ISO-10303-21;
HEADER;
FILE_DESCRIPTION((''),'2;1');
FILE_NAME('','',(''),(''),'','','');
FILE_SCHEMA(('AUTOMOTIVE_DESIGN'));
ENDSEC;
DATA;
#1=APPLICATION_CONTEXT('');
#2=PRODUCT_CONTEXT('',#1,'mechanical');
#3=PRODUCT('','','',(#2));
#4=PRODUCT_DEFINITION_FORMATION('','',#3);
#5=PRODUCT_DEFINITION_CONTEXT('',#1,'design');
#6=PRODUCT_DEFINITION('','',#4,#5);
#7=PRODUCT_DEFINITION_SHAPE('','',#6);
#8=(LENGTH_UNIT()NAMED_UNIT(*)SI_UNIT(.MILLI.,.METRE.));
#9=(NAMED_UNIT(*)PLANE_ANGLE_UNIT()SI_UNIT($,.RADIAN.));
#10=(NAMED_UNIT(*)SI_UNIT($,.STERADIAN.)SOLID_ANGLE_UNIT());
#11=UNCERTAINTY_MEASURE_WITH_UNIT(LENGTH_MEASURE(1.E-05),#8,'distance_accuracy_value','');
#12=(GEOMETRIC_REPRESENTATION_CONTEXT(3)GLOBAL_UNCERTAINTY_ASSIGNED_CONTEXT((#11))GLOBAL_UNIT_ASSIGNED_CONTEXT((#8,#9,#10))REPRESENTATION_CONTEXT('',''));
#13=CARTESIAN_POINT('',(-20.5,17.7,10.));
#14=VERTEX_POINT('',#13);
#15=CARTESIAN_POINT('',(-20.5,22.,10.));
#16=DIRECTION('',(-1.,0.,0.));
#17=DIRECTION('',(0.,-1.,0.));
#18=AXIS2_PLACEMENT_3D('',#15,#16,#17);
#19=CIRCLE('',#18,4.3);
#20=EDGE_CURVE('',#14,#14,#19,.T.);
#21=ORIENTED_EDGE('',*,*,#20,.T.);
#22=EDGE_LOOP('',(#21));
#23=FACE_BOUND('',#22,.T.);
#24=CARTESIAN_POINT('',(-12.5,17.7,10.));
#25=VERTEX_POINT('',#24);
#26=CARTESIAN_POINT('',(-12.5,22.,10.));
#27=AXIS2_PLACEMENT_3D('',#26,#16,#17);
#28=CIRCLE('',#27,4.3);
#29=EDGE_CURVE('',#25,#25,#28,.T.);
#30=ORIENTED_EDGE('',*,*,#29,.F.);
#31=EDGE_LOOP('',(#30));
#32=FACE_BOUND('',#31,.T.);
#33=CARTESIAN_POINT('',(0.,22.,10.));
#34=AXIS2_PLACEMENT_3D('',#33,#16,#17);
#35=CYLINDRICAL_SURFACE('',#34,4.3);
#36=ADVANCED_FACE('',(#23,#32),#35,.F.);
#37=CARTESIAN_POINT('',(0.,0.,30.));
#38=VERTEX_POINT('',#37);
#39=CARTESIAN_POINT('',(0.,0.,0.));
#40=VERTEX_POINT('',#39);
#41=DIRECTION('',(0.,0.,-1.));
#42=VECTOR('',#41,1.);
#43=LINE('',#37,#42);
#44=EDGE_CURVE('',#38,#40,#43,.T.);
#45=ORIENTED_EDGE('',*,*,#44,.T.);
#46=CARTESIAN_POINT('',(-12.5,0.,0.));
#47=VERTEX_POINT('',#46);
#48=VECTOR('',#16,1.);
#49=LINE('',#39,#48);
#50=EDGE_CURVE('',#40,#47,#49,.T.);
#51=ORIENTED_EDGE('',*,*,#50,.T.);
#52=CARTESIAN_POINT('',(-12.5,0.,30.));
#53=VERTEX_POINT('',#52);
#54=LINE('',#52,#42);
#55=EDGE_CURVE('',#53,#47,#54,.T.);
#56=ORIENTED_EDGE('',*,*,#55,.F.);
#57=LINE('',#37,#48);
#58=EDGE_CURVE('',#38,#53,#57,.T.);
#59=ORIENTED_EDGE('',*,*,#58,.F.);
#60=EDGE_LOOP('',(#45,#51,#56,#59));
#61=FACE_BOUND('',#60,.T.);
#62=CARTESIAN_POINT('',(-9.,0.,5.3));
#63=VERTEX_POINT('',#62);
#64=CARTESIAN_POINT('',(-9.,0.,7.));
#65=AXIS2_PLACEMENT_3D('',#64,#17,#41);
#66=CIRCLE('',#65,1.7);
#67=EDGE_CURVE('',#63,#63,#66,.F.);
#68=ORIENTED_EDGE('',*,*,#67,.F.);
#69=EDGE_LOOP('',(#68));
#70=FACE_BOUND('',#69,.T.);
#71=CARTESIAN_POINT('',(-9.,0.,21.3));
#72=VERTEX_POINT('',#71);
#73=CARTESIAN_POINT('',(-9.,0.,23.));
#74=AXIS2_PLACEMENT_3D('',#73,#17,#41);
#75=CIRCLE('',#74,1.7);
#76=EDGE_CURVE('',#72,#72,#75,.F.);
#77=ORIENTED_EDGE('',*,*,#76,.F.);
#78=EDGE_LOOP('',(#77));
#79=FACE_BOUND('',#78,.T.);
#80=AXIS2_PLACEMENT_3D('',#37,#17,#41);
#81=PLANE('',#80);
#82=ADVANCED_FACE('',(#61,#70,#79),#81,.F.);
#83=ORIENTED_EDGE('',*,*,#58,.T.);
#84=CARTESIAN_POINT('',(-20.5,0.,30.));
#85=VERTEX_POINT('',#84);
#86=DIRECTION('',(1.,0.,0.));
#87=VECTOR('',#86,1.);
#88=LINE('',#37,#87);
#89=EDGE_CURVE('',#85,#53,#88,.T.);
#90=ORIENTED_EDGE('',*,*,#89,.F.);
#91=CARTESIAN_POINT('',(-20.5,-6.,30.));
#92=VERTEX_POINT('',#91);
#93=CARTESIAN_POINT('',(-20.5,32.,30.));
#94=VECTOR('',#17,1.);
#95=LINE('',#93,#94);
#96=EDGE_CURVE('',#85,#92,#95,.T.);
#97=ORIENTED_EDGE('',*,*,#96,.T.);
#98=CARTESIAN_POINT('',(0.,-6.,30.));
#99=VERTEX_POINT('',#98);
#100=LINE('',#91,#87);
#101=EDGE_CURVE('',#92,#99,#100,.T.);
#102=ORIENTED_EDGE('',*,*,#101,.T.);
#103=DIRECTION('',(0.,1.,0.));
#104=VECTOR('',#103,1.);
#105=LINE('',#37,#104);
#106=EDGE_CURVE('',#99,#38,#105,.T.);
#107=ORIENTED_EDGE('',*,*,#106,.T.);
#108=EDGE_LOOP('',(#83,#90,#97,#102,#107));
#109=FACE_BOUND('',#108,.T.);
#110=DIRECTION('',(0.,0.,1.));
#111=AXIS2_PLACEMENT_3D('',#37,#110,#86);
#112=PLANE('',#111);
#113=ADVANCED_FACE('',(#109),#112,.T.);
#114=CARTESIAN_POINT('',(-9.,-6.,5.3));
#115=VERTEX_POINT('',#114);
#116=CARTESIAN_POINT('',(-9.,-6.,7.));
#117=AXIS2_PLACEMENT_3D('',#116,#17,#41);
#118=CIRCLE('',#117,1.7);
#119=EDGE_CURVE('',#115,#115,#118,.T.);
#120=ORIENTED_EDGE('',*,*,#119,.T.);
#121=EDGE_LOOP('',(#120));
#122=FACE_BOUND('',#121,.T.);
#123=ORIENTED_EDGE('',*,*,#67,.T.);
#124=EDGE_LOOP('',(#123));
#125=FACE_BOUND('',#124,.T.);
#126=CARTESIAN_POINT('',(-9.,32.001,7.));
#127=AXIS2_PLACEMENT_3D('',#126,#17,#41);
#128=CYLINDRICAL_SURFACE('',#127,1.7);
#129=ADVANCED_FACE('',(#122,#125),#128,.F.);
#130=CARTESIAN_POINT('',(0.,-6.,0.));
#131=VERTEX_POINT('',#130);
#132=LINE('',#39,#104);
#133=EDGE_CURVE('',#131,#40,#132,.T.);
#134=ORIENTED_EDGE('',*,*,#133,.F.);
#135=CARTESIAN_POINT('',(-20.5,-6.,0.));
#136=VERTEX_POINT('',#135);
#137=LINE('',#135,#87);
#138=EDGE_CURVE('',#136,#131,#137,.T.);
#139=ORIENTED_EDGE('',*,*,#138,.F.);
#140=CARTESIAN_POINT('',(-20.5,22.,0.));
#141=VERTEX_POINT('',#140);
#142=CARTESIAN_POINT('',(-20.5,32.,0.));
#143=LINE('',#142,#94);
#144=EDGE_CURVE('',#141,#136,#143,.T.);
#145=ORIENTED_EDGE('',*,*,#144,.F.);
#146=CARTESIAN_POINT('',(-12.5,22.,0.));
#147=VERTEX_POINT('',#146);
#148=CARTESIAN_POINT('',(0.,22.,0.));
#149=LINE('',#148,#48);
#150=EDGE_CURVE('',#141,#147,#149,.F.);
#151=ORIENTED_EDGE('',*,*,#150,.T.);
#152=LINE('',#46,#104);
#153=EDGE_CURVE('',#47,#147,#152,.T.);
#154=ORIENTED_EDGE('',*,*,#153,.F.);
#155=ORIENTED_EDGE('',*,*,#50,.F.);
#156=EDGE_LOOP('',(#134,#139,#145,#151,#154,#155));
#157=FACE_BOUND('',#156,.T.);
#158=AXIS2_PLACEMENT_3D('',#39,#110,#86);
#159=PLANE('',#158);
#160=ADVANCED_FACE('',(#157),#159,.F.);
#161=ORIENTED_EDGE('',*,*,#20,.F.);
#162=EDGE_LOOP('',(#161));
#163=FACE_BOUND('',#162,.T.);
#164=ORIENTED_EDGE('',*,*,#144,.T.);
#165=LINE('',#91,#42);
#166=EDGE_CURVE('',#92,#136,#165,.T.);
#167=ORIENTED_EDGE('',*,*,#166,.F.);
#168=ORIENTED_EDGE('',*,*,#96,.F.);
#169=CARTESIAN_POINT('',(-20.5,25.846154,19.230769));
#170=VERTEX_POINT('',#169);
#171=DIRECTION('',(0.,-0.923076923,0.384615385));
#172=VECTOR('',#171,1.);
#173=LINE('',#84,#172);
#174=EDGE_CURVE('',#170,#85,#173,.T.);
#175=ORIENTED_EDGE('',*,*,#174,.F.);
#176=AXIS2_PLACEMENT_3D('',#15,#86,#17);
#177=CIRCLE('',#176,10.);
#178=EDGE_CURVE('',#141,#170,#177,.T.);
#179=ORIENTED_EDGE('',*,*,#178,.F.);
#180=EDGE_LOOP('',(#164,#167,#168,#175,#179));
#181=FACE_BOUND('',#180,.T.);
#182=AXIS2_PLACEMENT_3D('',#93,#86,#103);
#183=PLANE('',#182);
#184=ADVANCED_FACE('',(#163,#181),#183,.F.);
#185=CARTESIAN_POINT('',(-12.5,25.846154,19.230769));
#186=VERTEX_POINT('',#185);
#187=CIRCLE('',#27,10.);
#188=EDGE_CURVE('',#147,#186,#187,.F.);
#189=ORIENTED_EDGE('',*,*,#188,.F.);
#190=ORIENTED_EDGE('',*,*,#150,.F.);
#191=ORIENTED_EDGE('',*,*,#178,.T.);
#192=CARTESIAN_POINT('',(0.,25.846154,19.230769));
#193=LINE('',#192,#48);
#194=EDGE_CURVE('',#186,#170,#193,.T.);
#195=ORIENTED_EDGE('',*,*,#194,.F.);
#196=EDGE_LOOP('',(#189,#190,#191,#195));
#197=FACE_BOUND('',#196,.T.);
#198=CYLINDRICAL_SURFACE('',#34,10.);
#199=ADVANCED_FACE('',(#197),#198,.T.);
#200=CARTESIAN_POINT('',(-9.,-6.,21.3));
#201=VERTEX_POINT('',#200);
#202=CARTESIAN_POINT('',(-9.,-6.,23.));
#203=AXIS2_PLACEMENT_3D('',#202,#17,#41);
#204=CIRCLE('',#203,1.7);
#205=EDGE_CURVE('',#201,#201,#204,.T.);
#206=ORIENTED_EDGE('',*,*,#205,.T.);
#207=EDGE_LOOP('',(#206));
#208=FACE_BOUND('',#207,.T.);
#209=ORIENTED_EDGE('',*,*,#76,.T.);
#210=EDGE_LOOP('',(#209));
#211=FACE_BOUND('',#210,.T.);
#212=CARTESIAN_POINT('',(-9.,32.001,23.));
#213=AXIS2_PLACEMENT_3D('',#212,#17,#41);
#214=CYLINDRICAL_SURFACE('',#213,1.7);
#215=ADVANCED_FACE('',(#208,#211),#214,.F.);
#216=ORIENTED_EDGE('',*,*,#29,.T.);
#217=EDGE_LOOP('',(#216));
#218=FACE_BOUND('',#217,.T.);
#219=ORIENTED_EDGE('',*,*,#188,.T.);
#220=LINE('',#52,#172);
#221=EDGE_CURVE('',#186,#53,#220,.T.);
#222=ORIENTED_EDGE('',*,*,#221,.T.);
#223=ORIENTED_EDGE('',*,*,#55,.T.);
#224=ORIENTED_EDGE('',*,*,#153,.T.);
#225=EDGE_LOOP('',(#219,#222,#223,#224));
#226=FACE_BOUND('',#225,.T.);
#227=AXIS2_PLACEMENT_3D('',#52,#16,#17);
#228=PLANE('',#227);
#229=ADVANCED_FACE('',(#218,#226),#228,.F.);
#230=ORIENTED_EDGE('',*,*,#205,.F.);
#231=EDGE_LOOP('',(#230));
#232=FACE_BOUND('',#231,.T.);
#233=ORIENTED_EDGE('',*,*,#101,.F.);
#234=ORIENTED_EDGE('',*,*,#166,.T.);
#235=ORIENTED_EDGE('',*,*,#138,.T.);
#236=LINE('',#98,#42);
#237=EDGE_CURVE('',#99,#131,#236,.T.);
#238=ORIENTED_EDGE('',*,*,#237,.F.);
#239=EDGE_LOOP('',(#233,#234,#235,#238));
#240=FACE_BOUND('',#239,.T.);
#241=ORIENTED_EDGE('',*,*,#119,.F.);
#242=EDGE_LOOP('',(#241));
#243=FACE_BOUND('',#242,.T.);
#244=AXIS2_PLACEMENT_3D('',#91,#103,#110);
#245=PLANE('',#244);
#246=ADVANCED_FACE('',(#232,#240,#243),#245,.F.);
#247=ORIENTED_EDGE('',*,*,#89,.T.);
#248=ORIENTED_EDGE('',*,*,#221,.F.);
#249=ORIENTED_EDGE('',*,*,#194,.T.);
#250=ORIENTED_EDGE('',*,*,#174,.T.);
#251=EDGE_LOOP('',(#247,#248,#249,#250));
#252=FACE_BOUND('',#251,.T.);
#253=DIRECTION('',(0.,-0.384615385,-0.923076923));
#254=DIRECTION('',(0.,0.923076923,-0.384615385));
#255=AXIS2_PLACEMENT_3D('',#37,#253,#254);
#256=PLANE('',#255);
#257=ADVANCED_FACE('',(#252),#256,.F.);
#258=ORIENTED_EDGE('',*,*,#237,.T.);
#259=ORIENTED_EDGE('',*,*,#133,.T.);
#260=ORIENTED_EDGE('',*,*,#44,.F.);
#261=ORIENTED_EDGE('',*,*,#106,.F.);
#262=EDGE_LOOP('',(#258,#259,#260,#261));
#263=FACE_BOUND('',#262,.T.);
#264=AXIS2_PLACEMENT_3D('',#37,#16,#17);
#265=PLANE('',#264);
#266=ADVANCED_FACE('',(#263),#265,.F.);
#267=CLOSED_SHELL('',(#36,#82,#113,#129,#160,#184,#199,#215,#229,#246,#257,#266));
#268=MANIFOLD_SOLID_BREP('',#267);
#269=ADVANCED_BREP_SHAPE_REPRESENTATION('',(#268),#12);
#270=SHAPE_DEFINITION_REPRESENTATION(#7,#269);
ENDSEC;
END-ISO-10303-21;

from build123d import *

# Parameters (mm, degrees)
SALIENTE_EXTRUIR1_DEPTH = 30
CROQUIS2_R              = 4.3
CORTAR_EXTRUIR1_DEPTH   = 21.5
CORTAR_EXTRUIR2_REACH   = 40
CROQUIS3_R              = 1.7


with BuildPart() as part:
    # Croquis1 → Saliente-Extruir1 (new body)
    with BuildSketch(Plane.XY):
        Polygon((0, 0), (-12.5, 0), (-12.5, 32), (-20.5, 32), (-20.5, -6), (0, -6), align=None)
    extrude(amount=SALIENTE_EXTRUIR1_DEPTH)

    # Croquis2 → Cortar-Extruir1 (cut, through all)
    with BuildSketch(Plane.ZY.offset(20.5)):
        with Locations((10, 22)):
            Circle(CROQUIS2_R)
        with BuildLine():
            Line((30, 0), (19.230769231, 25.846153846))
            ThreePointArc((19.230769231, 25.846153846), (8.038838649, 31.805806757), (0, 22))
            Line((0, 22), (0, 21))
            Line((0, 21), (-1, 21))
            Line((-1, 21), (-1, 33))
            Line((-1, 33), (31, 33))
            Line((31, 33), (31, 0))
            Line((31, 0), (30, 0))
        make_face()
    extrude(amount=-CORTAR_EXTRUIR1_DEPTH, mode=Mode.SUBTRACT)

    # Croquis3 → Cortar-Extruir2 (cut, up to next)
    with BuildSketch(Plane.XZ.offset(6), mode=Mode.PRIVATE) as cortar_extruir2_sk1:
        with Locations((-9, 23)):
            Circle(CROQUIS3_R)
    cortar_extruir2_tool1 = extrude(cortar_extruir2_sk1.sketch, amount=-CORTAR_EXTRUIR2_REACH, mode=Mode.PRIVATE) & part.part
    add(cortar_extruir2_tool1.solids().sort_by_distance((-9, -6, 23))[0], mode=Mode.SUBTRACT)
    # Croquis3 → Cortar-Extruir2 (cut, up to next)
    with BuildSketch(Plane.XZ.offset(6), mode=Mode.PRIVATE) as cortar_extruir2_sk2:
        with Locations((-9, 7)):
            Circle(CROQUIS3_R)
    cortar_extruir2_tool2 = extrude(cortar_extruir2_sk2.sketch, amount=-CORTAR_EXTRUIR2_REACH, mode=Mode.PRIVATE) & part.part
    add(cortar_extruir2_tool2.solids().sort_by_distance((-9, -6, 7))[0], mode=Mode.SUBTRACT)


solid = part.part
